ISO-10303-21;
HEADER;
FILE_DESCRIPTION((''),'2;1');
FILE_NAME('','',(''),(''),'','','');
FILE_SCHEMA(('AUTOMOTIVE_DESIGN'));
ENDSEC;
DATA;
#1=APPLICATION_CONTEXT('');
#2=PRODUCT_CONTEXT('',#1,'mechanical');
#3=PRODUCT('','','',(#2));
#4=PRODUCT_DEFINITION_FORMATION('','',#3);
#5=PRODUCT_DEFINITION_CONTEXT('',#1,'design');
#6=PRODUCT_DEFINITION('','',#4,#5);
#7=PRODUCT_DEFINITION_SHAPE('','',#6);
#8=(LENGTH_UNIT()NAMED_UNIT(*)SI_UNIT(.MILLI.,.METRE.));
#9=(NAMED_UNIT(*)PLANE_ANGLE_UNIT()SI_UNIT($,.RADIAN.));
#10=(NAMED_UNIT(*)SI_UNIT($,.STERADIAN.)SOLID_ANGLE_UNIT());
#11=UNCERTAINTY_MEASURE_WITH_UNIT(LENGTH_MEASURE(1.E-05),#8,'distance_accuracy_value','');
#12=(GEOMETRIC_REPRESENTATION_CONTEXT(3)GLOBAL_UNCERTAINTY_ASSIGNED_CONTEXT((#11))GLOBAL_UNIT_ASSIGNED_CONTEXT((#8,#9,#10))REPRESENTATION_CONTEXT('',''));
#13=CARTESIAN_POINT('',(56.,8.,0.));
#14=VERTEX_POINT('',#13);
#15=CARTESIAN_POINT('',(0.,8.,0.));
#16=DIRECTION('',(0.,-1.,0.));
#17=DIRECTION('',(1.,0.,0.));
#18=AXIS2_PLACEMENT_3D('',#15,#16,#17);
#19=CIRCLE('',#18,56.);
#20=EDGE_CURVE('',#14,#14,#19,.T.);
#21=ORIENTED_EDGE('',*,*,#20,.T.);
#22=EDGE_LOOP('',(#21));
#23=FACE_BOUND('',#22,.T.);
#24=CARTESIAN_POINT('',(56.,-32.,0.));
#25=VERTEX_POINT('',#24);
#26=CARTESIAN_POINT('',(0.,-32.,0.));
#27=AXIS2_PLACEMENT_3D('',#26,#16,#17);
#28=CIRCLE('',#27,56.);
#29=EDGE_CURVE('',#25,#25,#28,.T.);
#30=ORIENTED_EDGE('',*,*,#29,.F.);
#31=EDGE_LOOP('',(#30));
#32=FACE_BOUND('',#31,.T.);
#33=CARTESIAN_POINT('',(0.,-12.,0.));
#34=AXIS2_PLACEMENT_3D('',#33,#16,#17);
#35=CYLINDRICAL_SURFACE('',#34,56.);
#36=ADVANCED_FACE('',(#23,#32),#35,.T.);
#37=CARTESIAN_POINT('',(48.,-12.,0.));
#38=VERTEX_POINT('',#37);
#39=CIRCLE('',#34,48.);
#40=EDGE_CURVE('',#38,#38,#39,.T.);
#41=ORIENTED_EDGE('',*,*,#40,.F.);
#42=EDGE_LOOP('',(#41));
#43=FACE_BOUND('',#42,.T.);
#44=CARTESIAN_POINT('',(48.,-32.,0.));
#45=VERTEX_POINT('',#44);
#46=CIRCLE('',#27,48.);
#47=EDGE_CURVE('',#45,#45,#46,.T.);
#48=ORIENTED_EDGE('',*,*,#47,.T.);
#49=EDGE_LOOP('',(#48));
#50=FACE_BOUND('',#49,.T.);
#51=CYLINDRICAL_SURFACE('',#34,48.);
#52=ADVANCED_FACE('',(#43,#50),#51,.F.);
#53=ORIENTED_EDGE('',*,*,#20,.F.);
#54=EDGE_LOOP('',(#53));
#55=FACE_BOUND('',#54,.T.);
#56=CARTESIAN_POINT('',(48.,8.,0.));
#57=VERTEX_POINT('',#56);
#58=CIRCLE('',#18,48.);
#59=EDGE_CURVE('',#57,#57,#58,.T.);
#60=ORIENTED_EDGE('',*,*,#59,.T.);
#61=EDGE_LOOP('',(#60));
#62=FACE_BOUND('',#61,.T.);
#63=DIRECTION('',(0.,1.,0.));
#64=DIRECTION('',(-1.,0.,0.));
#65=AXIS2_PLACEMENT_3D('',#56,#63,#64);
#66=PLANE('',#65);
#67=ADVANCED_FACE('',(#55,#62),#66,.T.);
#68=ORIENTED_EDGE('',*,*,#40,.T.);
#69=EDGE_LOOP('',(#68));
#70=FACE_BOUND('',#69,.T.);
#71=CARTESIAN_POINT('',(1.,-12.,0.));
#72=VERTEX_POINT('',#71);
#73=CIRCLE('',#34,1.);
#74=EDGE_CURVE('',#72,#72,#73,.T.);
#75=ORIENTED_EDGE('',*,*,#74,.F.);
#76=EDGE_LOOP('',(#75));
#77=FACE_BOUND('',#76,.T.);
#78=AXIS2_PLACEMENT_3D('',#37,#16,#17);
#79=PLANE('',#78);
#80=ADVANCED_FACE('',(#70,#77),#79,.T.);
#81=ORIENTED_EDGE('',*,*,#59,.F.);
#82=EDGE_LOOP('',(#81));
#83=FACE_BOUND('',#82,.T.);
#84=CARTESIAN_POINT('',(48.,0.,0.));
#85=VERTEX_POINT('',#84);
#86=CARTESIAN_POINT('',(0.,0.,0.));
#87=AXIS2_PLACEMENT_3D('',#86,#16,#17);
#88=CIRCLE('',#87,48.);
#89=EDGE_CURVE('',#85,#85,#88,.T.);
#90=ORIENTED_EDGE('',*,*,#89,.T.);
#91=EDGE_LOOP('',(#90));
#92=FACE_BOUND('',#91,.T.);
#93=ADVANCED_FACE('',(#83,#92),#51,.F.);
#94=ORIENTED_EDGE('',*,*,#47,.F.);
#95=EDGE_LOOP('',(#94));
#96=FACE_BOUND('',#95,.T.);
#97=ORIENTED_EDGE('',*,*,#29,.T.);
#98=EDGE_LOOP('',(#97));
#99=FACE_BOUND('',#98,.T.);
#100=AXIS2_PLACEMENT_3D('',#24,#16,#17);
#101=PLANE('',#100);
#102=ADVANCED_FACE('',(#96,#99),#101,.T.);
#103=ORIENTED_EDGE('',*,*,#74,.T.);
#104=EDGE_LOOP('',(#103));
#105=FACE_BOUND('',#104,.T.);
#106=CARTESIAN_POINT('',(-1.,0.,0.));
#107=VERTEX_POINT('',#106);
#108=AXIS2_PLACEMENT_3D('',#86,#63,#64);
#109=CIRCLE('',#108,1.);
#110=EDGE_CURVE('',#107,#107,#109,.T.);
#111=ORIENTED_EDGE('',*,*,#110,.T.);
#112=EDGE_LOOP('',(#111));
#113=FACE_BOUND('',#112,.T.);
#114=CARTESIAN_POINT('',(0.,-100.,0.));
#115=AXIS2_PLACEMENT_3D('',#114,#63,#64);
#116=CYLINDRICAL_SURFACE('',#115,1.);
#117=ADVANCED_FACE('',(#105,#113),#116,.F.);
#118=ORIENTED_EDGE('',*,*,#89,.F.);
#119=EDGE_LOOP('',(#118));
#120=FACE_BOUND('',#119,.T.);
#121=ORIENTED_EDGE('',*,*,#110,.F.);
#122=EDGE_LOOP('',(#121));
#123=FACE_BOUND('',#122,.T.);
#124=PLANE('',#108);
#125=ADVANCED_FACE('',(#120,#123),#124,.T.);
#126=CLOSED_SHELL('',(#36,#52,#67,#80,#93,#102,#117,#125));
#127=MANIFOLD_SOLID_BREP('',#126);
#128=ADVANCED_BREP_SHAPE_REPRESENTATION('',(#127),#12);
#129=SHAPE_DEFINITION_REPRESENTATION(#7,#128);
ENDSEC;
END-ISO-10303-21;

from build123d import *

# Parameters (mm, degrees)
SKETCH3_R                       = 1
HOLE_FOR_SCREW_BLADE_CASE_DEPTH = 100


with BuildPart() as part:
    # Sketch2 → Blade Casing Revolve (revolve)
    with BuildSketch(Plane.XY):
        Polygon((0, 0), (48, 0), (48, 8), (56, 8), (56, -32), (48, -32), (48, -12), (0, -12), align=None)
    revolve(axis=Axis((0, -12, 0), (0, 1, 0)))

    # Sketch3 → Hole for Screw (Blade Case) (cut)
    with BuildSketch(Plane(origin=(0, 0, 0), x_dir=(1, 0, 0), z_dir=(0, 1, 0))):
        with Locations(Location((0, 0, 0), (0, 0, 180))):
            Circle(SKETCH3_R)
    extrude(amount=-HOLE_FOR_SCREW_BLADE_CASE_DEPTH, mode=Mode.SUBTRACT)


solid = part.part
